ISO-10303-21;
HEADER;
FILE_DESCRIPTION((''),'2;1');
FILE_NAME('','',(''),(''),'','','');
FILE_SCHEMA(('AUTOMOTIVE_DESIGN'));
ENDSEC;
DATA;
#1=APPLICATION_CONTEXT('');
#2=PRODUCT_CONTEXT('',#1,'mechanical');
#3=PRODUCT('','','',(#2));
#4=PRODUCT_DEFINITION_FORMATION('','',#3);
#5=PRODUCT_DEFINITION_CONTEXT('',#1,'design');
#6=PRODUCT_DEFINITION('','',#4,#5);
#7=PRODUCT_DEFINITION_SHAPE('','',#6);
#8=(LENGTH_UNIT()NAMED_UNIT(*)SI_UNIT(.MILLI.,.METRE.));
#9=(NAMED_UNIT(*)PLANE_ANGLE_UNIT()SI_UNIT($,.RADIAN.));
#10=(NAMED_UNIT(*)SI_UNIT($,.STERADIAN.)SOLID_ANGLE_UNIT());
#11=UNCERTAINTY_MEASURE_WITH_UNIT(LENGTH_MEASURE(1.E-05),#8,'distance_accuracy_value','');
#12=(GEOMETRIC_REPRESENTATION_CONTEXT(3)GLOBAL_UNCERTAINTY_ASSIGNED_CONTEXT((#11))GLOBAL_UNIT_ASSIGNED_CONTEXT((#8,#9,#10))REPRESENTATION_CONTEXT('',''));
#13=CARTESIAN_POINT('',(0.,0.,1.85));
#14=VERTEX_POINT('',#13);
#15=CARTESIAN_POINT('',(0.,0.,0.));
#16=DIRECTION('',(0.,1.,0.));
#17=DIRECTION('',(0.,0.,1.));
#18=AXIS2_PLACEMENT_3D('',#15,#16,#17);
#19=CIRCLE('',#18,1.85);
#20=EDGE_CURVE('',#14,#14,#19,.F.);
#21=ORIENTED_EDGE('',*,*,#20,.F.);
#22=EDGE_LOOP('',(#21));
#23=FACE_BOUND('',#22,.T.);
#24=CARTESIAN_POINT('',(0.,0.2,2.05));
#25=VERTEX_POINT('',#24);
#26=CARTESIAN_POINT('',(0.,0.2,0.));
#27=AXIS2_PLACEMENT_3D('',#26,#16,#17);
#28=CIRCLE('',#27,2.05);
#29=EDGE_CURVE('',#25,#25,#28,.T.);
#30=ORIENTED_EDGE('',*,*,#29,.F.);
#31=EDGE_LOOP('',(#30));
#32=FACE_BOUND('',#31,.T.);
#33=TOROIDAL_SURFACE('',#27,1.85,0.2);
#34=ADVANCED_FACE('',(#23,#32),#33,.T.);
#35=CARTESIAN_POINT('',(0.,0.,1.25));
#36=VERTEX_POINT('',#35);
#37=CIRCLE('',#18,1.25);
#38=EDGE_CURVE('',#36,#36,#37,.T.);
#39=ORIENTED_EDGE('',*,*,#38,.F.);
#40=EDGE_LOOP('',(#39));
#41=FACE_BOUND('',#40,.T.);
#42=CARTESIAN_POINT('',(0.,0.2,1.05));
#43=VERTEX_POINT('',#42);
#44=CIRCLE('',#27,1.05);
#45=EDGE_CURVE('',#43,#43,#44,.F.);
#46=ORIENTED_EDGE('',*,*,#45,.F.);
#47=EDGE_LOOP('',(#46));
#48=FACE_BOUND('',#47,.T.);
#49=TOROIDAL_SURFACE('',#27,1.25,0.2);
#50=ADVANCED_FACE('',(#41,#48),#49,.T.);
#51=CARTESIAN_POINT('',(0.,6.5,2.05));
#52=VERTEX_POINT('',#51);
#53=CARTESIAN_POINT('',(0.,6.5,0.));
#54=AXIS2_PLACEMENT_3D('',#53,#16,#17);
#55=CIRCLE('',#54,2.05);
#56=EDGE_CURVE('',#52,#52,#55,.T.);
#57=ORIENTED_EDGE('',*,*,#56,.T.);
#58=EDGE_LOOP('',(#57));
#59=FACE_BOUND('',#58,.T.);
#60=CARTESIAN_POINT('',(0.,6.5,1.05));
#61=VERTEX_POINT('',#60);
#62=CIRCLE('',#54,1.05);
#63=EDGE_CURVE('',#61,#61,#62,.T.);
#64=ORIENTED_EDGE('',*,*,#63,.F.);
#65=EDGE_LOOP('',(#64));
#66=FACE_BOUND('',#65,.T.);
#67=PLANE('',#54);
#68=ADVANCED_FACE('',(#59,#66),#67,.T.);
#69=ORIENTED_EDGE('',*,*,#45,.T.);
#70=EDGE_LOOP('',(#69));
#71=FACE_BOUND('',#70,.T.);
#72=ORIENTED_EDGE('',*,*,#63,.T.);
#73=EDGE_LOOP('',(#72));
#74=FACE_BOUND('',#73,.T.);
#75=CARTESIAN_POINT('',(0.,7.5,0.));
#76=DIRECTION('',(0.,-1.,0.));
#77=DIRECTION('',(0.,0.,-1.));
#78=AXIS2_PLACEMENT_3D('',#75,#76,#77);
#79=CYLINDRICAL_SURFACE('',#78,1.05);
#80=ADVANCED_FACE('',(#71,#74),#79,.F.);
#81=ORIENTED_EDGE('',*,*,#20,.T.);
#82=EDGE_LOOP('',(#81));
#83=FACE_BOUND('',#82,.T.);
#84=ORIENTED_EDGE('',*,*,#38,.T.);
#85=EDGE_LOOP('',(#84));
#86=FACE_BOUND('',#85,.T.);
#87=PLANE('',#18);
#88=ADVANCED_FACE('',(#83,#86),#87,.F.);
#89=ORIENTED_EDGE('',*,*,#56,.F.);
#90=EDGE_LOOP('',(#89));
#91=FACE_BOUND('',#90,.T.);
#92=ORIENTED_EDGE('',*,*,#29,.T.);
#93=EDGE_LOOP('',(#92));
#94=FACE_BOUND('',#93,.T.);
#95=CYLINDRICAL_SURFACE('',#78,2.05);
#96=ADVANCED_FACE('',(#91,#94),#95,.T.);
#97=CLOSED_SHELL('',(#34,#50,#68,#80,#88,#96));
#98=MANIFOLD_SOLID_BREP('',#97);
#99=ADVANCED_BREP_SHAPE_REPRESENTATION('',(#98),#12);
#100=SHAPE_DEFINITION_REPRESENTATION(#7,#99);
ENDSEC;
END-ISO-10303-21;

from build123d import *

# Parameters (mm, degrees)
SKETCH_1_R          = 2.05
SKETCH_1_R_2        = 1.05
EXTRUDE_1_DEPTH     = 7.5
FILLET_1_R          = 0.2
SKETCH_2_R          = 3.05
CUT_EXTRUDE_1_DEPTH = 1


with BuildPart() as part:
    # 草图1 → 凸台-拉伸1 (new body)
    with BuildSketch(Plane(origin=(0, 0, 0), x_dir=(1, 0, 0), z_dir=(0, 1, 0))):
        Circle(SKETCH_1_R)
        Circle(SKETCH_1_R_2, mode=Mode.SUBTRACT)
    extrude(amount=EXTRUDE_1_DEPTH)

    # 圆角1
    fillet_1_edges = [part.edges().sort_by_distance(p)[0] for p in [
        (-2.05, 0, 0),
        (-2.05, 7.5, 0),
        (-1.05, 0, 0),
        (-1.05, 7.5, 0),
    ]]
    fillet(fillet_1_edges, radius=FILLET_1_R)

    # 草图2 → 切除-拉伸1 (cut)
    with BuildSketch(Plane(origin=(0, 7.5, 0), x_dir=(1, 0, 0), z_dir=(0, 1, 0))):
        Circle(SKETCH_2_R)
    extrude(amount=-CUT_EXTRUDE_1_DEPTH, mode=Mode.SUBTRACT)


solid = part.part
